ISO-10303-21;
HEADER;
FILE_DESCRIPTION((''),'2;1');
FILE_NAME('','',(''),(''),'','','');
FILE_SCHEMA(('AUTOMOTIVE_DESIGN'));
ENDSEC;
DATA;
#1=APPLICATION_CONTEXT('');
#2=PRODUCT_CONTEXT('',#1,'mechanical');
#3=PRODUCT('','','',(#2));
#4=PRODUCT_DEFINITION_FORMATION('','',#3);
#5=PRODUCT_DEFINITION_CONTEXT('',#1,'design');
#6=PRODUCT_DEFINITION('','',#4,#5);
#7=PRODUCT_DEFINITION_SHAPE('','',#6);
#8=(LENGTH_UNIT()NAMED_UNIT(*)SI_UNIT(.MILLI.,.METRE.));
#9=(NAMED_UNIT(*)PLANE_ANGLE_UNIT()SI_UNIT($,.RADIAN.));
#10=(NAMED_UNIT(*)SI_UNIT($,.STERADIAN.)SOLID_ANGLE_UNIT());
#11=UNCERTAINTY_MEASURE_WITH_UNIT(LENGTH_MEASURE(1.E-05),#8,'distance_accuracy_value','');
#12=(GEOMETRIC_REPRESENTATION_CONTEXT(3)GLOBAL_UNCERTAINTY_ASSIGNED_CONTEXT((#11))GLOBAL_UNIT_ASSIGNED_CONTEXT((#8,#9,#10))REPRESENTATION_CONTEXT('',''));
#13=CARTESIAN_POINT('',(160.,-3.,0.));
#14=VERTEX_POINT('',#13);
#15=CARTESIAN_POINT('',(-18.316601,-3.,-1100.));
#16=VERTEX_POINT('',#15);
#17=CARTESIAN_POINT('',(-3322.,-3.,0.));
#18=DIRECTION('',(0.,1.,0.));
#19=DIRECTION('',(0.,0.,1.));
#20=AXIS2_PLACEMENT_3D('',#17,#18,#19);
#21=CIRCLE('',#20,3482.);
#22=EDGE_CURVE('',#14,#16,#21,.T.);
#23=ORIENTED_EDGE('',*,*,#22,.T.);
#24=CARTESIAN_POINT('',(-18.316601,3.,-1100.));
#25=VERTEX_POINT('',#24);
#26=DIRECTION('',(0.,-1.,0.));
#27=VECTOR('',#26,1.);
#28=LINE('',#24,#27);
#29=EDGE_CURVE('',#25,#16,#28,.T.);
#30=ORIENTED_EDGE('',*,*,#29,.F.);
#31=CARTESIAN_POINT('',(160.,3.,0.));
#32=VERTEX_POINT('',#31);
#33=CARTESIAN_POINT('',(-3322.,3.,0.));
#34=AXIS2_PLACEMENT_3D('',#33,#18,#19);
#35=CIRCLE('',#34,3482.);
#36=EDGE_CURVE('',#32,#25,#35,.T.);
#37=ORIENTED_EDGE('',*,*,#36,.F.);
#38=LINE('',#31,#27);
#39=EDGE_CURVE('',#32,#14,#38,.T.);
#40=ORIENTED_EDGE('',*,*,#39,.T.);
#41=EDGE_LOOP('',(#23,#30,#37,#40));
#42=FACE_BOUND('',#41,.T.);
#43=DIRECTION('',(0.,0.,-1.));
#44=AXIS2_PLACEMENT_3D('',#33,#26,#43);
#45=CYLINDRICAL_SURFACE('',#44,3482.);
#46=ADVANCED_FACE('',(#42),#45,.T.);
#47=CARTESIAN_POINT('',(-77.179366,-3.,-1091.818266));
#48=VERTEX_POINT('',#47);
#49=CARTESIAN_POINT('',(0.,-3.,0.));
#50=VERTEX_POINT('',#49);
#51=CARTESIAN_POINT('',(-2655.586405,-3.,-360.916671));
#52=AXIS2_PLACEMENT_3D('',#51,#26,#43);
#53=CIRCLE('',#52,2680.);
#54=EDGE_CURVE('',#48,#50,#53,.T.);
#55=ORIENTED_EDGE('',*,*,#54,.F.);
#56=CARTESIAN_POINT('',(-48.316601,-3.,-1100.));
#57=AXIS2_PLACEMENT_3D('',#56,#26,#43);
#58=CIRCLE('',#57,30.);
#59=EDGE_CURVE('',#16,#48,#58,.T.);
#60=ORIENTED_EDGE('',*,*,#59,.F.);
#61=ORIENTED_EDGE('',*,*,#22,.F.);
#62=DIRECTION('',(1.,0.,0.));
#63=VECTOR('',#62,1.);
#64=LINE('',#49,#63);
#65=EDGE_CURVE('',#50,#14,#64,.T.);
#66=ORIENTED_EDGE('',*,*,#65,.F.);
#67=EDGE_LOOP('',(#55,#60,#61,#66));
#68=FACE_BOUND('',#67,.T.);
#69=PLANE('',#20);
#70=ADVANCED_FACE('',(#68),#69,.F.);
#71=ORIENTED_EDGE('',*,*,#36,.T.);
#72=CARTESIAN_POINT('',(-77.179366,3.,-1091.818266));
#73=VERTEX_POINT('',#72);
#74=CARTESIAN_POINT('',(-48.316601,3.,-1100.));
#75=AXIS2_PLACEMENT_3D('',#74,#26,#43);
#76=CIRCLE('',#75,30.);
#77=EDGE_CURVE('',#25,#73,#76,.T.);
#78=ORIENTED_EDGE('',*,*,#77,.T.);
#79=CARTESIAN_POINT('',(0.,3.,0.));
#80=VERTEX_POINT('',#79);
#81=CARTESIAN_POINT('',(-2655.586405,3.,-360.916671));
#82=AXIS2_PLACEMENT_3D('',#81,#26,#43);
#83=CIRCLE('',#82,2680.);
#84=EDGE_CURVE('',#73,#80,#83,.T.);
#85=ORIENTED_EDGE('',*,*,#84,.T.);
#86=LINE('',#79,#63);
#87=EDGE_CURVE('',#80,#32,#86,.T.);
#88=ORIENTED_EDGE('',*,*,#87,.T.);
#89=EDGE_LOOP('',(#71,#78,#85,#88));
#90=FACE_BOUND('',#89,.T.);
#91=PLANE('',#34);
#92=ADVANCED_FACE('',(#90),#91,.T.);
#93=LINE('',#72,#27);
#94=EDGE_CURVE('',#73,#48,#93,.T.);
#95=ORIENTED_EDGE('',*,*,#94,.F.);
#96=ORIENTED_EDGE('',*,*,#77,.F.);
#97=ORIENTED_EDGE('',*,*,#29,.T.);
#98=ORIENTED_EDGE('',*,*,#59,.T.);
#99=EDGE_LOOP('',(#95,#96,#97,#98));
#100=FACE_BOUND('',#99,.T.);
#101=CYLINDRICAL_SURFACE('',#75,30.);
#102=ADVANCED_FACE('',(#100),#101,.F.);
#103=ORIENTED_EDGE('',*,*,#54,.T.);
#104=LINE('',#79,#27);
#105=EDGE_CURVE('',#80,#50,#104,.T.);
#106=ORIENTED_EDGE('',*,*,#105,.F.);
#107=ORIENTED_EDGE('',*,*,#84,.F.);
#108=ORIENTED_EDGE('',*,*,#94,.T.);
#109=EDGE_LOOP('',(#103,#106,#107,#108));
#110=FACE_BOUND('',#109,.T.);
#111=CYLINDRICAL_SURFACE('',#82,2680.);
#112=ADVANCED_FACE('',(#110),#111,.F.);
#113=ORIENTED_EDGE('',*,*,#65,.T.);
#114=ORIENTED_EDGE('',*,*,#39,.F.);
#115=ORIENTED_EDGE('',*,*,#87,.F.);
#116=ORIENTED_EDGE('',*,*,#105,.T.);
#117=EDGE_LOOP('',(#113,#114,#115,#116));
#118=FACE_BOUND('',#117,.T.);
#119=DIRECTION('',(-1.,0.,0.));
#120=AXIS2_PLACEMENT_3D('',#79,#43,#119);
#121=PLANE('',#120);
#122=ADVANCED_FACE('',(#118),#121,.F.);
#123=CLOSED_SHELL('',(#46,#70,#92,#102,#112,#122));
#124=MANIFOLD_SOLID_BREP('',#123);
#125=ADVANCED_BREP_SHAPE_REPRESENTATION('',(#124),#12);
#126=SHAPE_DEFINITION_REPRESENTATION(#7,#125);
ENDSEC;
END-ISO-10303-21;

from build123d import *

# Parameters (mm, degrees)
EXTRUDE_1_DEPTH = 3


with BuildPart() as part:
    # Эскиз1 → Бобышка-Вытянуть1 (new, symmetric)
    with BuildSketch(Plane(origin=(0, 0, 0), x_dir=(1, 0, 0), z_dir=(0, 1, 0))):
        with BuildLine():
            Line((0, 0), (160, 0))
            ThreePointArc((160, 0), (115.131768996, 557.179686061), (-18.316601125, 1100))
            ThreePointArc((-18.316601125, 1100), (-44.186405055, 1070.28566877), (-77.179366487, 1091.818265728))
            ThreePointArc((-77.179366487, 1091.818265728), (17.74272232, 549.891205257), (0, 0))
        make_face()
    extrude(amount=EXTRUDE_1_DEPTH, both=True)


solid = part.part
